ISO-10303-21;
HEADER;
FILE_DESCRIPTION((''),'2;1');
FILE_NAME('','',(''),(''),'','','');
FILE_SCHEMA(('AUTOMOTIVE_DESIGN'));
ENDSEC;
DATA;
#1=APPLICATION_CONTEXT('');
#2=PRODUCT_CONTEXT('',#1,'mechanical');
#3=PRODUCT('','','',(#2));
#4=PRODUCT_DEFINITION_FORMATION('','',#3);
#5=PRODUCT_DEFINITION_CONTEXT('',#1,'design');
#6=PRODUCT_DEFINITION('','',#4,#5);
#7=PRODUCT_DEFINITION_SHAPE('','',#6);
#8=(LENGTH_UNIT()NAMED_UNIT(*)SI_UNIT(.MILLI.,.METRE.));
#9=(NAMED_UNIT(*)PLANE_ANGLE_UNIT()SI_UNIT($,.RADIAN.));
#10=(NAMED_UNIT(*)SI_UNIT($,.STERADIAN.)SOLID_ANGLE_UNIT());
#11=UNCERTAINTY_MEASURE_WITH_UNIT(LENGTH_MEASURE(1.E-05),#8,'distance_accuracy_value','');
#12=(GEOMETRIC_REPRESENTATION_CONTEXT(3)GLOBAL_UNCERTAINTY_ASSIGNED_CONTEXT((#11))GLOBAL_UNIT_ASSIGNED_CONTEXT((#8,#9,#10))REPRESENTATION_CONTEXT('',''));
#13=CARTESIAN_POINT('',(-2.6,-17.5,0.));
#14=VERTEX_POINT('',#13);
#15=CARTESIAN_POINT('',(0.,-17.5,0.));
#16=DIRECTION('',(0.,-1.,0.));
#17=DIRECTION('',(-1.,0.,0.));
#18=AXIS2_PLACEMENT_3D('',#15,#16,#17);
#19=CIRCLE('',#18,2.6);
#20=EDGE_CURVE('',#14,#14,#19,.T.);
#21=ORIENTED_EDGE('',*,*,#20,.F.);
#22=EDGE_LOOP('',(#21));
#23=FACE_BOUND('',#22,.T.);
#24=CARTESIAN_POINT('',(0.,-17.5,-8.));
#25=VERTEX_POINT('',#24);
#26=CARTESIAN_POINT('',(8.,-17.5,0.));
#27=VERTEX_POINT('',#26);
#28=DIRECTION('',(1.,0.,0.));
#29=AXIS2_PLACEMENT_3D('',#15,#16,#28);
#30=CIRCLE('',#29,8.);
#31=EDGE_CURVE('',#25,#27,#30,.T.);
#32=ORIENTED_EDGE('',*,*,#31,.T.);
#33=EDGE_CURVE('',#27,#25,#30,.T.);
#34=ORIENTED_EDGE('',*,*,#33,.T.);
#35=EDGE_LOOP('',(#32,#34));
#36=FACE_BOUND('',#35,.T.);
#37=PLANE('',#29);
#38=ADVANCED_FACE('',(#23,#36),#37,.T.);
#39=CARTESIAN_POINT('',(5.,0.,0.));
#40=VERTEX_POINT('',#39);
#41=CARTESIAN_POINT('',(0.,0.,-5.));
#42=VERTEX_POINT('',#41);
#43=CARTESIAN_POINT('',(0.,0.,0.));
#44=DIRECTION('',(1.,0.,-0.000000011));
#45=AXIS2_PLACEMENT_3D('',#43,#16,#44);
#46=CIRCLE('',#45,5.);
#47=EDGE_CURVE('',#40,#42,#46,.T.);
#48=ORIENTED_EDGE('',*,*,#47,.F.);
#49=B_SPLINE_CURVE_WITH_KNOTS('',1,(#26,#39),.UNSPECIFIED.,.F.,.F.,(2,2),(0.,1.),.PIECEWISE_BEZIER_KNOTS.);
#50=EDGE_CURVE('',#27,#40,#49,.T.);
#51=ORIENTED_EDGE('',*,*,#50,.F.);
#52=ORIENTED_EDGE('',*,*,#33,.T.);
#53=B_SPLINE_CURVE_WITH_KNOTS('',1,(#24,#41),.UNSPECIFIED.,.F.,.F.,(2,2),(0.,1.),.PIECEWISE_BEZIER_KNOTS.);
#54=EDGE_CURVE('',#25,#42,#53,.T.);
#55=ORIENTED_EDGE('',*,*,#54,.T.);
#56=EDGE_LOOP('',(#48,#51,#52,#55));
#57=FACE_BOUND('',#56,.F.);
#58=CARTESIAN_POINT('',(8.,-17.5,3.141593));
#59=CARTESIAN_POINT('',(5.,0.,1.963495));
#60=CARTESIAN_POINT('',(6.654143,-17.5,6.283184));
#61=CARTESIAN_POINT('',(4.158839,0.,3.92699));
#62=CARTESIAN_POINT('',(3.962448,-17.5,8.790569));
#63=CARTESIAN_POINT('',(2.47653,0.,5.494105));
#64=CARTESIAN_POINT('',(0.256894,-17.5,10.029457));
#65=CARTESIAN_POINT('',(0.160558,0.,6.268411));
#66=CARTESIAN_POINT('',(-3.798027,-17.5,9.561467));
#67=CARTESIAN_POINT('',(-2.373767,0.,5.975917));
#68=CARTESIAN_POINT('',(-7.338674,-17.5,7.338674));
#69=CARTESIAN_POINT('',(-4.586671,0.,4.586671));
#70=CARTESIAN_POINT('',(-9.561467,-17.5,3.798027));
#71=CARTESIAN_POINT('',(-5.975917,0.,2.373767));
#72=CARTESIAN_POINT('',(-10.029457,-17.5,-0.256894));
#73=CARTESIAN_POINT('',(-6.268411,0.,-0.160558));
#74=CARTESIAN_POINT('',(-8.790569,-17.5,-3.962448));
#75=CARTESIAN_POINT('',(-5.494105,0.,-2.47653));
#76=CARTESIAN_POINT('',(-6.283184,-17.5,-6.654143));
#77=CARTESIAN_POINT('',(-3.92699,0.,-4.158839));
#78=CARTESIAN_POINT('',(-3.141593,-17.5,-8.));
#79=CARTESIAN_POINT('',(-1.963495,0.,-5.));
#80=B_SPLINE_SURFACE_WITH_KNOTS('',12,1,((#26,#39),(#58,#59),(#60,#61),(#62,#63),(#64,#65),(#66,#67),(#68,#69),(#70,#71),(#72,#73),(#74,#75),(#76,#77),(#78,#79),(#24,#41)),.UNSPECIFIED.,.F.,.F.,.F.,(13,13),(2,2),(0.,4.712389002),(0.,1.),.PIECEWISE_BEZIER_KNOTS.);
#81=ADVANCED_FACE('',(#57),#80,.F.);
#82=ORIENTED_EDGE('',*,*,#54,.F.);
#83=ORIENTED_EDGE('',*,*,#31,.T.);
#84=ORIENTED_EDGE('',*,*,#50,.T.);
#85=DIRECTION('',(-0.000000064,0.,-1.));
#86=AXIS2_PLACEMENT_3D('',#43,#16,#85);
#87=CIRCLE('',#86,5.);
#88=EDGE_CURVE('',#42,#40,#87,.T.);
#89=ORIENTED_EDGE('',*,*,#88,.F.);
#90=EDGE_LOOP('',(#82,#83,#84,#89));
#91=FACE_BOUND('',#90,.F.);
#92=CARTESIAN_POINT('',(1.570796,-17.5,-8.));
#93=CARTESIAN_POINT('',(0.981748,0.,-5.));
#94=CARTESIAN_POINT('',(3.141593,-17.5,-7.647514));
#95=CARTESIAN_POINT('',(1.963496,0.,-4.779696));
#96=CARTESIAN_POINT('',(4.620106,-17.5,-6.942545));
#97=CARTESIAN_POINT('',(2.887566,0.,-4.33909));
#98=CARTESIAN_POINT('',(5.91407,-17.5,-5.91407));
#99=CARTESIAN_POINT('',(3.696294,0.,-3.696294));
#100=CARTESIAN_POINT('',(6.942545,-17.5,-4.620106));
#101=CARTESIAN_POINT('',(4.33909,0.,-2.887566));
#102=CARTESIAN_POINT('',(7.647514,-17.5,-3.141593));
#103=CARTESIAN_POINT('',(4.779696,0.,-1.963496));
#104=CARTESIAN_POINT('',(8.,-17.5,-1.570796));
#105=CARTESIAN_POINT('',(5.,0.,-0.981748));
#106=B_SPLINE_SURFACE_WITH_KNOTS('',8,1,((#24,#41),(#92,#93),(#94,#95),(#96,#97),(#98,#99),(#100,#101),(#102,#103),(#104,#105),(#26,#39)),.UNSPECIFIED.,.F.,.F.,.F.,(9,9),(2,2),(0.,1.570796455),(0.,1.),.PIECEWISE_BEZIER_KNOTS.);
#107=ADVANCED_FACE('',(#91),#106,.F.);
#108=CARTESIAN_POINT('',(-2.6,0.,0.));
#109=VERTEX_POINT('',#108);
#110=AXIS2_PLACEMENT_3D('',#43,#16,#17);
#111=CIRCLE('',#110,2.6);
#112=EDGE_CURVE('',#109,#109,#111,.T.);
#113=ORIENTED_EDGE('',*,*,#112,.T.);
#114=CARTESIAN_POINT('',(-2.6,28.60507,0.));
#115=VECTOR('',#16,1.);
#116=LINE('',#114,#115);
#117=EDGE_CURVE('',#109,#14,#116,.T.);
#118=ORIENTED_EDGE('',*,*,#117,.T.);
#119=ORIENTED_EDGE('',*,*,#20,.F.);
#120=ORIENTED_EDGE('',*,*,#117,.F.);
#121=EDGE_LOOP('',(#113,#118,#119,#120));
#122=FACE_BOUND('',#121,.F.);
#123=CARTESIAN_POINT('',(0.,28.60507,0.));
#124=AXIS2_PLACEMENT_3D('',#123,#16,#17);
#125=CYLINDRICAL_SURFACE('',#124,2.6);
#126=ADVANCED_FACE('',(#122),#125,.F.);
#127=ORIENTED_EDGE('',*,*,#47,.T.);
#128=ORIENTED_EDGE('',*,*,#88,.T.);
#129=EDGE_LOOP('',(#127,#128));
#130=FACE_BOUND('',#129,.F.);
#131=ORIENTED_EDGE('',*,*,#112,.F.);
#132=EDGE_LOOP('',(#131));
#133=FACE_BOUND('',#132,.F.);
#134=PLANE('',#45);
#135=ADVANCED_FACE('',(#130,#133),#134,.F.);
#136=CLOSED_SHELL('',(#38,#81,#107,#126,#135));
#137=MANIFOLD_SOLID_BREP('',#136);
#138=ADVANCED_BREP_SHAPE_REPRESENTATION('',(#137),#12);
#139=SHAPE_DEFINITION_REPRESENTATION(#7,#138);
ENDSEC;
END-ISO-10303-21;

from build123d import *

# Parameters (mm, degrees)
F2_R = 8
F4_D = 5.2


with BuildPart() as f3:
    # F2 (on offset) → F3 section 0
    with BuildSketch(Plane.XZ.offset(17.5)):
        Circle(F2_R)
    # F0 (on Front) → F3 section 1
    with BuildSketch(Plane.XZ):
        with BuildLine():
            ThreePointArc((0, -5), (3.535534, -3.535534), (5, 0))
            ThreePointArc((5, 0), (-3.535534, 3.535534), (0, -5))
        make_face()
    loft()

    # F4 (through all)
    with Locations(Plane(origin=(0, 0, 0), x_dir=(1, 0, 0), z_dir=(0, 1, 0))):
        with Locations((0, 0)):
            Hole(F4_D / 2)


solid = f3.part
